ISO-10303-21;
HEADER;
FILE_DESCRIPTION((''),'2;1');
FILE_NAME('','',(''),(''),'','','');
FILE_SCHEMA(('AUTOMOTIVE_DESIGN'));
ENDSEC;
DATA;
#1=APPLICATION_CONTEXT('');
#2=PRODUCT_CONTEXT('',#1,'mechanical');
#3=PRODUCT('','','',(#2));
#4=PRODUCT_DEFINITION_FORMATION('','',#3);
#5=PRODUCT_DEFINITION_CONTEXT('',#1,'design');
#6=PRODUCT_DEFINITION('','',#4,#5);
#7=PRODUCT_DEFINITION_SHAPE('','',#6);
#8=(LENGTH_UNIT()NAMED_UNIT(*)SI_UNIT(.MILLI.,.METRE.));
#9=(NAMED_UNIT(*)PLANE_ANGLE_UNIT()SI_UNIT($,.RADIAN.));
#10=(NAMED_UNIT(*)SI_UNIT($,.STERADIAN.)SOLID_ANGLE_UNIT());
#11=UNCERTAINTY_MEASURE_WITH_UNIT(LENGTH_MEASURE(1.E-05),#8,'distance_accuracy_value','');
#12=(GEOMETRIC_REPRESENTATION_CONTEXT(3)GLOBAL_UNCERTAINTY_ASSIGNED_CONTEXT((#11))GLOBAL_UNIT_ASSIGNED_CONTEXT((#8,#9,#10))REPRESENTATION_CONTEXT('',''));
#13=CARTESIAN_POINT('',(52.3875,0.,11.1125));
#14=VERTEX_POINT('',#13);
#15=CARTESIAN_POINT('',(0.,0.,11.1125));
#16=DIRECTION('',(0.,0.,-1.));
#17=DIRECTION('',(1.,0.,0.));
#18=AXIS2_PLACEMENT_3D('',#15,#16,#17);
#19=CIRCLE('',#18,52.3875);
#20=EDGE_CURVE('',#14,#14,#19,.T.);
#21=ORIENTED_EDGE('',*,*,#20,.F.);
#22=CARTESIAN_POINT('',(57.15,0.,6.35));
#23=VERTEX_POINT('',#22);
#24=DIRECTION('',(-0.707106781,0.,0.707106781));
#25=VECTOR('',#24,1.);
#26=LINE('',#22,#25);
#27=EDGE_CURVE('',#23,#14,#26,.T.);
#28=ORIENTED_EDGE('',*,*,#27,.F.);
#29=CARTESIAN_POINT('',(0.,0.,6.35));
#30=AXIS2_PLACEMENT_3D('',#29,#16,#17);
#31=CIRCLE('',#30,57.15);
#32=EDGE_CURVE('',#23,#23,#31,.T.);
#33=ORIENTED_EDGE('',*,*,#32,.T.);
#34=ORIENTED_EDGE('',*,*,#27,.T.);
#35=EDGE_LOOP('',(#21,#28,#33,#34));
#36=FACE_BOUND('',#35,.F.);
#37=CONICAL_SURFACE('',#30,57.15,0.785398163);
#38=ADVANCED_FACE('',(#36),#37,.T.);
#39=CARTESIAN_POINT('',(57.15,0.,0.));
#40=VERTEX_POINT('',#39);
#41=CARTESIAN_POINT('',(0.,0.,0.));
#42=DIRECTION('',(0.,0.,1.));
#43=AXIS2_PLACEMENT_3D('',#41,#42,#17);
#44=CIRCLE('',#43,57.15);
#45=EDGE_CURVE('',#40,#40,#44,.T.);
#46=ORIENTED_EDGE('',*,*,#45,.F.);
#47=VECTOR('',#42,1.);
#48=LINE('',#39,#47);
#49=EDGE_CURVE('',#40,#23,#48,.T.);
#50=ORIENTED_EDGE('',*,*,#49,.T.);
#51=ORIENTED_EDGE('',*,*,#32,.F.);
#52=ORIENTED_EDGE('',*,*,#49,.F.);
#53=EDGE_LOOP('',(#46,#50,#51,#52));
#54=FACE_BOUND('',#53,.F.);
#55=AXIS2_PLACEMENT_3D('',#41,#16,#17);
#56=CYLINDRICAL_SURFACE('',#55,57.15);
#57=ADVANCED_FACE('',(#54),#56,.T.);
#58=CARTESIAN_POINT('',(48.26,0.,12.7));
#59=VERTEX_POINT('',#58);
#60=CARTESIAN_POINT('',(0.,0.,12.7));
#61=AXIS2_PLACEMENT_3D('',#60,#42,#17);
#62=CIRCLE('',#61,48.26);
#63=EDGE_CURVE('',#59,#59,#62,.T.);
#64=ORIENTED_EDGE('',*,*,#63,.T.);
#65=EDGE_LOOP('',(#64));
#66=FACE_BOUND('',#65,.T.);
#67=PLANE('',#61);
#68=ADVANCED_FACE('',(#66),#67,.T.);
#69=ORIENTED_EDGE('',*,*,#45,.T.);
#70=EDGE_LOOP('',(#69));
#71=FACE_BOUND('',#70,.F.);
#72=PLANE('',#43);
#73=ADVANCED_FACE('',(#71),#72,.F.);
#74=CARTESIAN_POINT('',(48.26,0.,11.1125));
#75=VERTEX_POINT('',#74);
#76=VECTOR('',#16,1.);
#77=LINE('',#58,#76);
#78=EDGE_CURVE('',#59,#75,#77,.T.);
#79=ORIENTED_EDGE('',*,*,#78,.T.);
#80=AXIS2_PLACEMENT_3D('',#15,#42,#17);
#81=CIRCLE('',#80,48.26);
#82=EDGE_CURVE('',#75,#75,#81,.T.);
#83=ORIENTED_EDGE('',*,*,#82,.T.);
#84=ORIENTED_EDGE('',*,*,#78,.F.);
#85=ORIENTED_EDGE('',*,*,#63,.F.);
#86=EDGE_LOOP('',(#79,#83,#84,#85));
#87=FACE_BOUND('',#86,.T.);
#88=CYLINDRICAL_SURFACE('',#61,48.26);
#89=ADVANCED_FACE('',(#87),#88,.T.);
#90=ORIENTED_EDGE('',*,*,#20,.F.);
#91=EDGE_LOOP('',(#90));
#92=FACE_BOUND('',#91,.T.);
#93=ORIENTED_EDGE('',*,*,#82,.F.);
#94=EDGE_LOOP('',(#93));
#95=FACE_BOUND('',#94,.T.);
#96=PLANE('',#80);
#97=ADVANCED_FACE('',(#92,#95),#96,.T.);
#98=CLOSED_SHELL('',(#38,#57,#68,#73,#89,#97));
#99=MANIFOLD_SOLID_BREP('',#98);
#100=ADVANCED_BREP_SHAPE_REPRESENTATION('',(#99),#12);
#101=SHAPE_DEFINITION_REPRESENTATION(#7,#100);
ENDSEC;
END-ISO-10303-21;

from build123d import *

# Parameters (mm, degrees)
F0_R     = 57.15
F1_DEPTH = 12.7
F2_R     = 82.073796
F2_R_2   = 48.26
F3_DEPTH = 1.5875
F4_SIZE  = 4.7625


with BuildPart() as f1:
    # F0 (on Top) → F1 (new body)
    with BuildSketch(Plane.XY):
        Circle(F0_R)
    extrude(amount=F1_DEPTH)

    # F2 (on face) → F3 (cut)
    with BuildSketch(Plane.XY.offset(12.7)):
        Circle(F2_R)
        Circle(F2_R_2, mode=Mode.SUBTRACT)
    extrude(amount=-F3_DEPTH, mode=Mode.SUBTRACT)

    # F4
    f4_edges = [f1.edges().sort_by_distance(p)[0] for p in [
        (-57.15, 0, 11.1125),
    ]]
    chamfer(f4_edges, length=F4_SIZE)


solid = f1.part
